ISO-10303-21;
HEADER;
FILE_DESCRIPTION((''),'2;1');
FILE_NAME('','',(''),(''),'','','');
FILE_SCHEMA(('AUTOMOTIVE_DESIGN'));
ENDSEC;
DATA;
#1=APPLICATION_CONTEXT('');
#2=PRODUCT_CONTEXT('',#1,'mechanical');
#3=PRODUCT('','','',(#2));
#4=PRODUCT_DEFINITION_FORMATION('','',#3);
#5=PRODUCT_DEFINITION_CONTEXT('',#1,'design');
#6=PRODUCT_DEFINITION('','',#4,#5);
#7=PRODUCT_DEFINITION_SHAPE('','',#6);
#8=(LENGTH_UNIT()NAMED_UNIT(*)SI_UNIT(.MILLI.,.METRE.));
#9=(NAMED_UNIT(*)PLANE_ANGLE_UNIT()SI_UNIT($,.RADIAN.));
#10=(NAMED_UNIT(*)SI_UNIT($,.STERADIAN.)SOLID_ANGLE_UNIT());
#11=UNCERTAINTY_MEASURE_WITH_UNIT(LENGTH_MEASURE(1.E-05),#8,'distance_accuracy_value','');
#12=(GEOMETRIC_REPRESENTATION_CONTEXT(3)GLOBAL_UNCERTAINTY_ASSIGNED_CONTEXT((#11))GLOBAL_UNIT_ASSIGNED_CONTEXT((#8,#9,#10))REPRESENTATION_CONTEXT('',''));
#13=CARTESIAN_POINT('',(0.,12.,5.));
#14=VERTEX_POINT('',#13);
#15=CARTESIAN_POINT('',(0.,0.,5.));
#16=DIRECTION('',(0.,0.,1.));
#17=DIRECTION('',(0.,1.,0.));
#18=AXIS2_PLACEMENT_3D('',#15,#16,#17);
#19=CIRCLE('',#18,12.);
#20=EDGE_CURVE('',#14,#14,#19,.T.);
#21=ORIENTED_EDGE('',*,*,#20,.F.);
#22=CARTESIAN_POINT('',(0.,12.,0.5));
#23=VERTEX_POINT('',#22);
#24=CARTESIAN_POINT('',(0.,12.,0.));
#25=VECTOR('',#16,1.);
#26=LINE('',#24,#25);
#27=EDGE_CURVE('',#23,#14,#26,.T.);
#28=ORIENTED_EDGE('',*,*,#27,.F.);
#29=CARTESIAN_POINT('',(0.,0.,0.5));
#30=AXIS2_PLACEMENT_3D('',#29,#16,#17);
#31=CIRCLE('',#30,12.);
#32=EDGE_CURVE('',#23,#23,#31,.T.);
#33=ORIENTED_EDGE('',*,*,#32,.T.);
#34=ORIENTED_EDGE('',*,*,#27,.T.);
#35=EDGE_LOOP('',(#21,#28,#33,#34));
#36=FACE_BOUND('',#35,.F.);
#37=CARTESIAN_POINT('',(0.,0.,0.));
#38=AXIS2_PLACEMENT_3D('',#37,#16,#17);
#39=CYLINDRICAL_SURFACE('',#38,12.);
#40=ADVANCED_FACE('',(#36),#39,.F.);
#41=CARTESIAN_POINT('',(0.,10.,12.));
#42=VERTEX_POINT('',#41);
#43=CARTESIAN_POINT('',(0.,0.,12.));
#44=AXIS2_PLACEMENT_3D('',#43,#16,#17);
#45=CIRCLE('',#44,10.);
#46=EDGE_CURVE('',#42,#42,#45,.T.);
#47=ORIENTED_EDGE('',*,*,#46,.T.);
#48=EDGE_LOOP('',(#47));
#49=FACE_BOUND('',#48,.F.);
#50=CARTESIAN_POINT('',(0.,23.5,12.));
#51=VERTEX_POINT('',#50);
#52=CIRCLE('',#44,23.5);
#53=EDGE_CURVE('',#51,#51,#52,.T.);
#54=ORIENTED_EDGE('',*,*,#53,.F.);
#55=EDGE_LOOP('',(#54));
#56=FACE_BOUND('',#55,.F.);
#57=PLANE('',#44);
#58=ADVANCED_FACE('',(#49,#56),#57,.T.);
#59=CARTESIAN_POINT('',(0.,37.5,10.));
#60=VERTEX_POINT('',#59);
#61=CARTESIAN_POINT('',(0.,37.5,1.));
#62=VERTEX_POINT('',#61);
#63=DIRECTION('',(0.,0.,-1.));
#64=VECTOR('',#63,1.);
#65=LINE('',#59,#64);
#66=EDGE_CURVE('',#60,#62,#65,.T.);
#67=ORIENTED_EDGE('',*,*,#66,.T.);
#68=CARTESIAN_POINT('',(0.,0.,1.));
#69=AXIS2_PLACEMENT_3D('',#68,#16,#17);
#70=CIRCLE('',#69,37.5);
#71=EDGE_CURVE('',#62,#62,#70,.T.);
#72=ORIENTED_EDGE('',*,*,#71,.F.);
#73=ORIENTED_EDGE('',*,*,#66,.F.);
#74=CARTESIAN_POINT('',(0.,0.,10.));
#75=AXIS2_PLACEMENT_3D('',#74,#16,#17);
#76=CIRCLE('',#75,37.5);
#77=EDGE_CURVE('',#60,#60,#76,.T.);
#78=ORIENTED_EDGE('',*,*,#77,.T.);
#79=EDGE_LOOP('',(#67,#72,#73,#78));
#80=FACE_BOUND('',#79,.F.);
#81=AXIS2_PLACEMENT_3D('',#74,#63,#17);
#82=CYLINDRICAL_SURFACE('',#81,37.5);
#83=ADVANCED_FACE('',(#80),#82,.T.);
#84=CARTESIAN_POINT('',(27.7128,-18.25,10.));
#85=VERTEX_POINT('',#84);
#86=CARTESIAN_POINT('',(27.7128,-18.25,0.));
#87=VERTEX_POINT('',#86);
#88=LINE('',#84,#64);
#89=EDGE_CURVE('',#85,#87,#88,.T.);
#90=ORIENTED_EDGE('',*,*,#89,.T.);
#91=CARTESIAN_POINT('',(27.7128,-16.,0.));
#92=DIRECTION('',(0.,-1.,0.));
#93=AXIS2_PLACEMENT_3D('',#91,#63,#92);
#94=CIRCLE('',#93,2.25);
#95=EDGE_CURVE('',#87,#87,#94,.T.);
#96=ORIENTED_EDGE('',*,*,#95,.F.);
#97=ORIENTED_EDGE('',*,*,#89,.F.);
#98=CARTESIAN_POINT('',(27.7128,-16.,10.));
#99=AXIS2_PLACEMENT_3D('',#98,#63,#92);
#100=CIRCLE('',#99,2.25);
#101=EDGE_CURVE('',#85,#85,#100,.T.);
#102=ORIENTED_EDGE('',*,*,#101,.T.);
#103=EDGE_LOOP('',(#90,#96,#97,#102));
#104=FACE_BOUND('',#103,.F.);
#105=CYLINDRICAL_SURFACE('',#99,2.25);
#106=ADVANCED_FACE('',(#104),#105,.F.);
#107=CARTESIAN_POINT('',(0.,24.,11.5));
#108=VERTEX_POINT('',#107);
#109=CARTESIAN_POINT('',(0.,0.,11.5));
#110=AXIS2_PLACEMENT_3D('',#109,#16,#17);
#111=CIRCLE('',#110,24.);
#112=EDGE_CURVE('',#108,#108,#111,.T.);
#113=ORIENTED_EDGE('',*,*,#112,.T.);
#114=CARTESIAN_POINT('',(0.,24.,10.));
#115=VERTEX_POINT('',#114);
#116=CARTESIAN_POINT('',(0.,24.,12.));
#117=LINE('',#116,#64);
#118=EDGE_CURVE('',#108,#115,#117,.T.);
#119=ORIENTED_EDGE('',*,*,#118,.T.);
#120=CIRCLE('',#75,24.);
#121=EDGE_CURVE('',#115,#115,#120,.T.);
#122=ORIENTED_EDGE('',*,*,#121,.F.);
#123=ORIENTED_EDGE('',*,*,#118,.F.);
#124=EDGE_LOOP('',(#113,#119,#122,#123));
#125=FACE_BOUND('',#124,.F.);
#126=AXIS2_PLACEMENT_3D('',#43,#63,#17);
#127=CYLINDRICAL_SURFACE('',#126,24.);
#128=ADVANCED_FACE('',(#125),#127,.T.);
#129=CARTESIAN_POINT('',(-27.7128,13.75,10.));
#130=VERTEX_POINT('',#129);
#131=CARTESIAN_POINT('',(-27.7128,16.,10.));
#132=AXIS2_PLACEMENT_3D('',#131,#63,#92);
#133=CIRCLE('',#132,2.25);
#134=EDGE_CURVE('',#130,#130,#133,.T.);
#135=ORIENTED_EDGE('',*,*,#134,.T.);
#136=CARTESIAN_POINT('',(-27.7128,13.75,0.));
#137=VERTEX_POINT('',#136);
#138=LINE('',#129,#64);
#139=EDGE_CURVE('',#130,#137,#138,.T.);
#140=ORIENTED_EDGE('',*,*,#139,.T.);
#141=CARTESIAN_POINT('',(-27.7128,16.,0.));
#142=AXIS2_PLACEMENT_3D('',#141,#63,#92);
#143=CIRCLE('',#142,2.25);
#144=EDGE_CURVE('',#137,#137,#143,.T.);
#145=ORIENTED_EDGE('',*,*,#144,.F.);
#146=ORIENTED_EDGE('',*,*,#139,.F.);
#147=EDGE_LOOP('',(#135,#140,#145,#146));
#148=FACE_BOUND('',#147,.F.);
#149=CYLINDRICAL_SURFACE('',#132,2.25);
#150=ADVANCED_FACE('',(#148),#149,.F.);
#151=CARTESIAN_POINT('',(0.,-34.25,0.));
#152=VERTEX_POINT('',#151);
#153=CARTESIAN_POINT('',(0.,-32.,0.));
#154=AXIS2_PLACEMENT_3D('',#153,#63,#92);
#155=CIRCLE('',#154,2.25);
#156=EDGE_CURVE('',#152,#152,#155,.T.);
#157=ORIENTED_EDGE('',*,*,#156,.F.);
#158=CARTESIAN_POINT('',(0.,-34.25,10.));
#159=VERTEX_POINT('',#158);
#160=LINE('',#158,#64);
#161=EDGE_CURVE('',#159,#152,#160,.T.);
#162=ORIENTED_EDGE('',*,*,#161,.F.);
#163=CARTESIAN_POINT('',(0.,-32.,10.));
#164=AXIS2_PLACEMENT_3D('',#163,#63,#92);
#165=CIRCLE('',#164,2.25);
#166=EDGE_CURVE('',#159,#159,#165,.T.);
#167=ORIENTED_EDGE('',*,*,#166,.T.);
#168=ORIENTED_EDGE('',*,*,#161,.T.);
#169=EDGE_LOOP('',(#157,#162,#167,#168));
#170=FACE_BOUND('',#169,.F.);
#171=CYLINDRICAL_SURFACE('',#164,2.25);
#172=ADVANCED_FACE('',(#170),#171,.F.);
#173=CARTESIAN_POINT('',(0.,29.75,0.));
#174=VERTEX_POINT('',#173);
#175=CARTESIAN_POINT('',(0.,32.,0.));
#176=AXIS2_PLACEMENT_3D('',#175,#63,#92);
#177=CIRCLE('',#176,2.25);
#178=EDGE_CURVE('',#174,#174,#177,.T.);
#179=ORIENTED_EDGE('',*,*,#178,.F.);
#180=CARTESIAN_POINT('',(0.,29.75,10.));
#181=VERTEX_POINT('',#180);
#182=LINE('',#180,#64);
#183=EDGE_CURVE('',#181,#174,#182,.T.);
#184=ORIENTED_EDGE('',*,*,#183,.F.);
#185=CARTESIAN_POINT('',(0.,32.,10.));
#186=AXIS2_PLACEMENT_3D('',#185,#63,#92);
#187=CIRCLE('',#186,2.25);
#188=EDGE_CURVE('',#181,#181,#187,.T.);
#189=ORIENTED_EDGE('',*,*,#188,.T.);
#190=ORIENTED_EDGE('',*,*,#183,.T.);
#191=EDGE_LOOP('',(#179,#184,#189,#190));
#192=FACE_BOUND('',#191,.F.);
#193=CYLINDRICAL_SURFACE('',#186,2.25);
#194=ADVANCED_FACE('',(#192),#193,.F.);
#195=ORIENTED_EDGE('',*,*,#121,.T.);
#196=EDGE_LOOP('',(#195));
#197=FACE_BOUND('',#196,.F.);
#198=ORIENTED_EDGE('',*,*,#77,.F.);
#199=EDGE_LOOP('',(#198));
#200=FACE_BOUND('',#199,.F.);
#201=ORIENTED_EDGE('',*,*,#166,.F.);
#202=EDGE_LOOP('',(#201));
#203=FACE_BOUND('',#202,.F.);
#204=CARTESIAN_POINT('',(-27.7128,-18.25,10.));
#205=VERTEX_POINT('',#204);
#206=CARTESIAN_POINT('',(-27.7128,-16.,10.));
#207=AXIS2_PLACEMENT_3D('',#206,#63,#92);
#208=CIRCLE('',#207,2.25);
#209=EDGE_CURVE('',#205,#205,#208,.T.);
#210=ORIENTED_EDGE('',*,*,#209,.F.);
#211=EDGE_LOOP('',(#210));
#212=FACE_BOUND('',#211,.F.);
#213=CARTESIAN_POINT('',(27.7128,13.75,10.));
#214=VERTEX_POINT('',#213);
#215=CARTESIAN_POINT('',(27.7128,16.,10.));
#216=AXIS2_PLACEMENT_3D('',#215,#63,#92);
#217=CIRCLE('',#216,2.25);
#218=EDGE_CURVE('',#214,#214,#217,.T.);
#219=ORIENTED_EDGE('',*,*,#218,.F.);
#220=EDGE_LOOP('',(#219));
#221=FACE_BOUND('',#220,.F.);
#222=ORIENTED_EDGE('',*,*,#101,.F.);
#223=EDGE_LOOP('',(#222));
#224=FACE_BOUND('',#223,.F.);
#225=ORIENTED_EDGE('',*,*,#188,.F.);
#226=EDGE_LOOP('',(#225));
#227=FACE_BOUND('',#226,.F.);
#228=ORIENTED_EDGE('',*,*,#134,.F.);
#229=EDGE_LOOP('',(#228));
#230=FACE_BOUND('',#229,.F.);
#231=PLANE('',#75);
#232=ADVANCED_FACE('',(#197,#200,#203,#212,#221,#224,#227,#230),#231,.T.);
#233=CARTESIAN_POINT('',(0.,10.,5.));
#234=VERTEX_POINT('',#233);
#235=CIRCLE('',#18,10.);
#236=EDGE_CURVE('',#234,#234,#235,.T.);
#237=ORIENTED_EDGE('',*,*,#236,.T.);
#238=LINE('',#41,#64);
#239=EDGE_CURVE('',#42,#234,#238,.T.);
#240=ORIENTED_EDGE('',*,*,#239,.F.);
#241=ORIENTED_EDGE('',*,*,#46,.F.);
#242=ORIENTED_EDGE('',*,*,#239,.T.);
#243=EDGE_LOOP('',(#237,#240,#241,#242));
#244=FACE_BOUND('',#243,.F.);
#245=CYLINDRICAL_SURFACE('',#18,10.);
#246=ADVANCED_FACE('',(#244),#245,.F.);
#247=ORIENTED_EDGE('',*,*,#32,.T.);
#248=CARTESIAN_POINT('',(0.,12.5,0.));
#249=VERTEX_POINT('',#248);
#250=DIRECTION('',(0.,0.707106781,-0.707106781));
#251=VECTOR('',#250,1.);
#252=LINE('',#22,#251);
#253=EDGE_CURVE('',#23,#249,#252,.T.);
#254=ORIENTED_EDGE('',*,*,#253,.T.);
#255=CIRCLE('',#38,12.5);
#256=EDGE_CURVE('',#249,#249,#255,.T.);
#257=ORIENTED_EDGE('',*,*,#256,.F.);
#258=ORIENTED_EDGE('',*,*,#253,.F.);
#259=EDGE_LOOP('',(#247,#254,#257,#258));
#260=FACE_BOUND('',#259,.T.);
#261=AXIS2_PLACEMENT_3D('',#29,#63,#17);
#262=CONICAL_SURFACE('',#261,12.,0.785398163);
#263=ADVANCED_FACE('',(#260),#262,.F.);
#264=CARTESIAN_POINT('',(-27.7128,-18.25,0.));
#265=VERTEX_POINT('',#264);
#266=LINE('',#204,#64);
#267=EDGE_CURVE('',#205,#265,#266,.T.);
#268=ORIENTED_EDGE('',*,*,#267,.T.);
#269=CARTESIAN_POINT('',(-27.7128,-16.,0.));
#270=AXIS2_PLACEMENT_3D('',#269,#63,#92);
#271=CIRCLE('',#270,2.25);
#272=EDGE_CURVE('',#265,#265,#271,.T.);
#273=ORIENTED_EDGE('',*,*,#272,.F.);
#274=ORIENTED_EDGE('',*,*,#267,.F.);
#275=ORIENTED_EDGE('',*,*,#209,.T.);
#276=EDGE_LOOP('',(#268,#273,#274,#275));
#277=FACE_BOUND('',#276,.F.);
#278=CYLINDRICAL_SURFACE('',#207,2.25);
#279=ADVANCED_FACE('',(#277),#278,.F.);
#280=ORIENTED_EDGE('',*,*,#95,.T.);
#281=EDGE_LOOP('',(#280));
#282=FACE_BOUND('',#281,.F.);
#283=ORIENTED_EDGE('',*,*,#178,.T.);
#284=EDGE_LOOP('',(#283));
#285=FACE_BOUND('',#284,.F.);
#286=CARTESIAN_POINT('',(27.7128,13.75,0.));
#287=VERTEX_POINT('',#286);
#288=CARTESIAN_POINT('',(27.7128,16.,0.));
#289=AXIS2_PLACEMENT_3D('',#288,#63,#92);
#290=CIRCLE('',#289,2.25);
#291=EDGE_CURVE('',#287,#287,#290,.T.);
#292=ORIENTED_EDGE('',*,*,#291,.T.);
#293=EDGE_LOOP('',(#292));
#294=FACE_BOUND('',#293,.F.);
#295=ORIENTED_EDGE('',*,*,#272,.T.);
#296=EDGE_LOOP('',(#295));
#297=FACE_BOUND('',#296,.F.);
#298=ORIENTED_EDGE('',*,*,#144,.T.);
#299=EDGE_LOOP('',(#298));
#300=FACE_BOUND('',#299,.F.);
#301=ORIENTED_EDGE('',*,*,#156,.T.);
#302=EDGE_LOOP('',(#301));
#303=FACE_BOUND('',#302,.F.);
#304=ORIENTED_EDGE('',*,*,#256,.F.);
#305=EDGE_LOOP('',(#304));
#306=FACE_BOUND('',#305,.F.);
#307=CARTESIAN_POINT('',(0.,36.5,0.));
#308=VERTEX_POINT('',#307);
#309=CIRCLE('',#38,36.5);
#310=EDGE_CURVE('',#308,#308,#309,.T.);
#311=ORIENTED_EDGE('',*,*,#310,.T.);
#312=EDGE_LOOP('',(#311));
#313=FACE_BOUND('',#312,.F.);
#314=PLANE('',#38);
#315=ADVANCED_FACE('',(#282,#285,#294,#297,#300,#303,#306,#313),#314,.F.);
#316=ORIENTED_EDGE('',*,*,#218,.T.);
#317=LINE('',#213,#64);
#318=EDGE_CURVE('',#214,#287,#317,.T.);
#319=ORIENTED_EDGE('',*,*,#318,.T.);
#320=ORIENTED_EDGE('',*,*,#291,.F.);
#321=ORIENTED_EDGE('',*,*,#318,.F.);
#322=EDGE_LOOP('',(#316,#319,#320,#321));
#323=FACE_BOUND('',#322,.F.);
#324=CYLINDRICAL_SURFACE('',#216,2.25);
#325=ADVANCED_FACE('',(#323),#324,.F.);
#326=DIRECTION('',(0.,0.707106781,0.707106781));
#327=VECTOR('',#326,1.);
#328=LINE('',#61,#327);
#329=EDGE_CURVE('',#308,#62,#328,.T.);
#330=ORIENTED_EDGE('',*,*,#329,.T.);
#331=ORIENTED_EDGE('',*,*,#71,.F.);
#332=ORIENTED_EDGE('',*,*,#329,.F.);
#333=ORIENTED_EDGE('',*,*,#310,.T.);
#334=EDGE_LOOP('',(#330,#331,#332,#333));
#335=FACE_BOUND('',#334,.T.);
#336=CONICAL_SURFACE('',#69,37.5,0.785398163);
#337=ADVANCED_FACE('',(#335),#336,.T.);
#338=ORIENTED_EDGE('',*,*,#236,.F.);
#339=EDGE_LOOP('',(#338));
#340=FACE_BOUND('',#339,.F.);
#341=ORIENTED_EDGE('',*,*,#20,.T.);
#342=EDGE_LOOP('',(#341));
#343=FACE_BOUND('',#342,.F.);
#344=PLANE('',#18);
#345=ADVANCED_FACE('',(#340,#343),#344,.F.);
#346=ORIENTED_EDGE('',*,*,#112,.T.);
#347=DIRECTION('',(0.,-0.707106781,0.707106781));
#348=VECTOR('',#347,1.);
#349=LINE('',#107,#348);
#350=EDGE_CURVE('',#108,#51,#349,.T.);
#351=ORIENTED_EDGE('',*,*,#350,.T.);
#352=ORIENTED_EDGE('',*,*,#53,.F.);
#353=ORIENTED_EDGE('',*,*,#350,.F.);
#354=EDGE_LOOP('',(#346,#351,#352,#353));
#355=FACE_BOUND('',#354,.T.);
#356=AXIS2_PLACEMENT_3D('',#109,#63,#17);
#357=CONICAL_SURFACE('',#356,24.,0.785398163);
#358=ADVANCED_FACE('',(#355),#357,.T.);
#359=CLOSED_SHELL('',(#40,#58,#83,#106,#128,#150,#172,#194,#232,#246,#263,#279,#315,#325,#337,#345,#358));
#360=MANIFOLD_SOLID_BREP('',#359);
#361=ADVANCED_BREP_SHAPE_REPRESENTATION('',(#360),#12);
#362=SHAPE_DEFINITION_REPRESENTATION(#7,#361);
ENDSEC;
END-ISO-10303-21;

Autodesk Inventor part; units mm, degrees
ref_plane "YZ Plane" through (0, 0, 0) normal (1, 0, 0) x (0, 1, 0)
ref_plane "XZ Plane" through (0, 0, 0) normal (0, 1, 0) x (-1, 0, 0)
ref_plane "XY Plane" through (0, 0, 0) normal (0, 0, 1) x (1, 0, 0)
sketch "スケッチ1" plane through (0, 0, 0) normal (1, 0, 0) x (0, 1, 0)
  line L0 (12, 0) -> (12, 5)
  line L1 (12, 5) -> (10, 5)
  line L2 (10, 5) -> (10, 10)
  line L3 (37.5, 10) -> (37.5, 0)
  line L4 (37.5, 0) -> (12, 0)
  line L5 (0, -2.4) -> (0, 14.4) projected
  line L6 (10, 10) -> (10, 10)
  line L7 (10, 10) -> (10, 12)
  line L8 (10, 12) -> (24, 12)
  line L9 (24, 12) -> (24, 10)
  line L10 (24, 10) -> (37.5, 10)
  point P0 (0, 0)
  dimension "d0" = 12
  dimension "d1" = 37.5
  dimension "d2" = 2
  dimension "d3" = 5
  dimension "d5" = 10
  dimension "d31" = 24
  dimension "d32" = 2
  dimension "d34" = 0
revolve "回転1" add sketch "スケッチ1" angle 360 about axis through (0, 0, -10) along (0, 0, 1)
chamfer "面取り1" distance 0.5 angle 45 1 edges at (0, -12, 0)
sketch "スケッチ2" plane through (0, 0, 10) normal (0, 0, 1) x (1, 0, 0)
  circle A0 centre (0, 0) radius 32
  point P0 (0, 32)
  point P1 (-27.7128, 16)
  point P2 (-27.7128, -16)
  point P3 (0, -32)
  point P4 (27.7128, -16)
  point P5 (27.7128, 16)
  dimension "d10" = 64
  dimension "d13" = 360
hole "穴1" at (0, 32, 10) at (-27.7128, 16, 10) at (-27.7128, -16, 10) at (0, -32, 10) at (27.7128, -16, 10) at (27.7128, 16, 10) direction (0, 0, -1) diameter 4.5 end through all clearance for "Flat Head Machine Screw" size "M4" standard "Ansi Metric M Profile"
chamfer "面取り2" distance 1 angle 45 1 edges at (0, -37.5, 0)
chamfer "面取り3" distance 0.5 angle 45 1 edges at (0, -24, 12)
properties part number "unit-j2-base3" material "ABS プラスチック"
